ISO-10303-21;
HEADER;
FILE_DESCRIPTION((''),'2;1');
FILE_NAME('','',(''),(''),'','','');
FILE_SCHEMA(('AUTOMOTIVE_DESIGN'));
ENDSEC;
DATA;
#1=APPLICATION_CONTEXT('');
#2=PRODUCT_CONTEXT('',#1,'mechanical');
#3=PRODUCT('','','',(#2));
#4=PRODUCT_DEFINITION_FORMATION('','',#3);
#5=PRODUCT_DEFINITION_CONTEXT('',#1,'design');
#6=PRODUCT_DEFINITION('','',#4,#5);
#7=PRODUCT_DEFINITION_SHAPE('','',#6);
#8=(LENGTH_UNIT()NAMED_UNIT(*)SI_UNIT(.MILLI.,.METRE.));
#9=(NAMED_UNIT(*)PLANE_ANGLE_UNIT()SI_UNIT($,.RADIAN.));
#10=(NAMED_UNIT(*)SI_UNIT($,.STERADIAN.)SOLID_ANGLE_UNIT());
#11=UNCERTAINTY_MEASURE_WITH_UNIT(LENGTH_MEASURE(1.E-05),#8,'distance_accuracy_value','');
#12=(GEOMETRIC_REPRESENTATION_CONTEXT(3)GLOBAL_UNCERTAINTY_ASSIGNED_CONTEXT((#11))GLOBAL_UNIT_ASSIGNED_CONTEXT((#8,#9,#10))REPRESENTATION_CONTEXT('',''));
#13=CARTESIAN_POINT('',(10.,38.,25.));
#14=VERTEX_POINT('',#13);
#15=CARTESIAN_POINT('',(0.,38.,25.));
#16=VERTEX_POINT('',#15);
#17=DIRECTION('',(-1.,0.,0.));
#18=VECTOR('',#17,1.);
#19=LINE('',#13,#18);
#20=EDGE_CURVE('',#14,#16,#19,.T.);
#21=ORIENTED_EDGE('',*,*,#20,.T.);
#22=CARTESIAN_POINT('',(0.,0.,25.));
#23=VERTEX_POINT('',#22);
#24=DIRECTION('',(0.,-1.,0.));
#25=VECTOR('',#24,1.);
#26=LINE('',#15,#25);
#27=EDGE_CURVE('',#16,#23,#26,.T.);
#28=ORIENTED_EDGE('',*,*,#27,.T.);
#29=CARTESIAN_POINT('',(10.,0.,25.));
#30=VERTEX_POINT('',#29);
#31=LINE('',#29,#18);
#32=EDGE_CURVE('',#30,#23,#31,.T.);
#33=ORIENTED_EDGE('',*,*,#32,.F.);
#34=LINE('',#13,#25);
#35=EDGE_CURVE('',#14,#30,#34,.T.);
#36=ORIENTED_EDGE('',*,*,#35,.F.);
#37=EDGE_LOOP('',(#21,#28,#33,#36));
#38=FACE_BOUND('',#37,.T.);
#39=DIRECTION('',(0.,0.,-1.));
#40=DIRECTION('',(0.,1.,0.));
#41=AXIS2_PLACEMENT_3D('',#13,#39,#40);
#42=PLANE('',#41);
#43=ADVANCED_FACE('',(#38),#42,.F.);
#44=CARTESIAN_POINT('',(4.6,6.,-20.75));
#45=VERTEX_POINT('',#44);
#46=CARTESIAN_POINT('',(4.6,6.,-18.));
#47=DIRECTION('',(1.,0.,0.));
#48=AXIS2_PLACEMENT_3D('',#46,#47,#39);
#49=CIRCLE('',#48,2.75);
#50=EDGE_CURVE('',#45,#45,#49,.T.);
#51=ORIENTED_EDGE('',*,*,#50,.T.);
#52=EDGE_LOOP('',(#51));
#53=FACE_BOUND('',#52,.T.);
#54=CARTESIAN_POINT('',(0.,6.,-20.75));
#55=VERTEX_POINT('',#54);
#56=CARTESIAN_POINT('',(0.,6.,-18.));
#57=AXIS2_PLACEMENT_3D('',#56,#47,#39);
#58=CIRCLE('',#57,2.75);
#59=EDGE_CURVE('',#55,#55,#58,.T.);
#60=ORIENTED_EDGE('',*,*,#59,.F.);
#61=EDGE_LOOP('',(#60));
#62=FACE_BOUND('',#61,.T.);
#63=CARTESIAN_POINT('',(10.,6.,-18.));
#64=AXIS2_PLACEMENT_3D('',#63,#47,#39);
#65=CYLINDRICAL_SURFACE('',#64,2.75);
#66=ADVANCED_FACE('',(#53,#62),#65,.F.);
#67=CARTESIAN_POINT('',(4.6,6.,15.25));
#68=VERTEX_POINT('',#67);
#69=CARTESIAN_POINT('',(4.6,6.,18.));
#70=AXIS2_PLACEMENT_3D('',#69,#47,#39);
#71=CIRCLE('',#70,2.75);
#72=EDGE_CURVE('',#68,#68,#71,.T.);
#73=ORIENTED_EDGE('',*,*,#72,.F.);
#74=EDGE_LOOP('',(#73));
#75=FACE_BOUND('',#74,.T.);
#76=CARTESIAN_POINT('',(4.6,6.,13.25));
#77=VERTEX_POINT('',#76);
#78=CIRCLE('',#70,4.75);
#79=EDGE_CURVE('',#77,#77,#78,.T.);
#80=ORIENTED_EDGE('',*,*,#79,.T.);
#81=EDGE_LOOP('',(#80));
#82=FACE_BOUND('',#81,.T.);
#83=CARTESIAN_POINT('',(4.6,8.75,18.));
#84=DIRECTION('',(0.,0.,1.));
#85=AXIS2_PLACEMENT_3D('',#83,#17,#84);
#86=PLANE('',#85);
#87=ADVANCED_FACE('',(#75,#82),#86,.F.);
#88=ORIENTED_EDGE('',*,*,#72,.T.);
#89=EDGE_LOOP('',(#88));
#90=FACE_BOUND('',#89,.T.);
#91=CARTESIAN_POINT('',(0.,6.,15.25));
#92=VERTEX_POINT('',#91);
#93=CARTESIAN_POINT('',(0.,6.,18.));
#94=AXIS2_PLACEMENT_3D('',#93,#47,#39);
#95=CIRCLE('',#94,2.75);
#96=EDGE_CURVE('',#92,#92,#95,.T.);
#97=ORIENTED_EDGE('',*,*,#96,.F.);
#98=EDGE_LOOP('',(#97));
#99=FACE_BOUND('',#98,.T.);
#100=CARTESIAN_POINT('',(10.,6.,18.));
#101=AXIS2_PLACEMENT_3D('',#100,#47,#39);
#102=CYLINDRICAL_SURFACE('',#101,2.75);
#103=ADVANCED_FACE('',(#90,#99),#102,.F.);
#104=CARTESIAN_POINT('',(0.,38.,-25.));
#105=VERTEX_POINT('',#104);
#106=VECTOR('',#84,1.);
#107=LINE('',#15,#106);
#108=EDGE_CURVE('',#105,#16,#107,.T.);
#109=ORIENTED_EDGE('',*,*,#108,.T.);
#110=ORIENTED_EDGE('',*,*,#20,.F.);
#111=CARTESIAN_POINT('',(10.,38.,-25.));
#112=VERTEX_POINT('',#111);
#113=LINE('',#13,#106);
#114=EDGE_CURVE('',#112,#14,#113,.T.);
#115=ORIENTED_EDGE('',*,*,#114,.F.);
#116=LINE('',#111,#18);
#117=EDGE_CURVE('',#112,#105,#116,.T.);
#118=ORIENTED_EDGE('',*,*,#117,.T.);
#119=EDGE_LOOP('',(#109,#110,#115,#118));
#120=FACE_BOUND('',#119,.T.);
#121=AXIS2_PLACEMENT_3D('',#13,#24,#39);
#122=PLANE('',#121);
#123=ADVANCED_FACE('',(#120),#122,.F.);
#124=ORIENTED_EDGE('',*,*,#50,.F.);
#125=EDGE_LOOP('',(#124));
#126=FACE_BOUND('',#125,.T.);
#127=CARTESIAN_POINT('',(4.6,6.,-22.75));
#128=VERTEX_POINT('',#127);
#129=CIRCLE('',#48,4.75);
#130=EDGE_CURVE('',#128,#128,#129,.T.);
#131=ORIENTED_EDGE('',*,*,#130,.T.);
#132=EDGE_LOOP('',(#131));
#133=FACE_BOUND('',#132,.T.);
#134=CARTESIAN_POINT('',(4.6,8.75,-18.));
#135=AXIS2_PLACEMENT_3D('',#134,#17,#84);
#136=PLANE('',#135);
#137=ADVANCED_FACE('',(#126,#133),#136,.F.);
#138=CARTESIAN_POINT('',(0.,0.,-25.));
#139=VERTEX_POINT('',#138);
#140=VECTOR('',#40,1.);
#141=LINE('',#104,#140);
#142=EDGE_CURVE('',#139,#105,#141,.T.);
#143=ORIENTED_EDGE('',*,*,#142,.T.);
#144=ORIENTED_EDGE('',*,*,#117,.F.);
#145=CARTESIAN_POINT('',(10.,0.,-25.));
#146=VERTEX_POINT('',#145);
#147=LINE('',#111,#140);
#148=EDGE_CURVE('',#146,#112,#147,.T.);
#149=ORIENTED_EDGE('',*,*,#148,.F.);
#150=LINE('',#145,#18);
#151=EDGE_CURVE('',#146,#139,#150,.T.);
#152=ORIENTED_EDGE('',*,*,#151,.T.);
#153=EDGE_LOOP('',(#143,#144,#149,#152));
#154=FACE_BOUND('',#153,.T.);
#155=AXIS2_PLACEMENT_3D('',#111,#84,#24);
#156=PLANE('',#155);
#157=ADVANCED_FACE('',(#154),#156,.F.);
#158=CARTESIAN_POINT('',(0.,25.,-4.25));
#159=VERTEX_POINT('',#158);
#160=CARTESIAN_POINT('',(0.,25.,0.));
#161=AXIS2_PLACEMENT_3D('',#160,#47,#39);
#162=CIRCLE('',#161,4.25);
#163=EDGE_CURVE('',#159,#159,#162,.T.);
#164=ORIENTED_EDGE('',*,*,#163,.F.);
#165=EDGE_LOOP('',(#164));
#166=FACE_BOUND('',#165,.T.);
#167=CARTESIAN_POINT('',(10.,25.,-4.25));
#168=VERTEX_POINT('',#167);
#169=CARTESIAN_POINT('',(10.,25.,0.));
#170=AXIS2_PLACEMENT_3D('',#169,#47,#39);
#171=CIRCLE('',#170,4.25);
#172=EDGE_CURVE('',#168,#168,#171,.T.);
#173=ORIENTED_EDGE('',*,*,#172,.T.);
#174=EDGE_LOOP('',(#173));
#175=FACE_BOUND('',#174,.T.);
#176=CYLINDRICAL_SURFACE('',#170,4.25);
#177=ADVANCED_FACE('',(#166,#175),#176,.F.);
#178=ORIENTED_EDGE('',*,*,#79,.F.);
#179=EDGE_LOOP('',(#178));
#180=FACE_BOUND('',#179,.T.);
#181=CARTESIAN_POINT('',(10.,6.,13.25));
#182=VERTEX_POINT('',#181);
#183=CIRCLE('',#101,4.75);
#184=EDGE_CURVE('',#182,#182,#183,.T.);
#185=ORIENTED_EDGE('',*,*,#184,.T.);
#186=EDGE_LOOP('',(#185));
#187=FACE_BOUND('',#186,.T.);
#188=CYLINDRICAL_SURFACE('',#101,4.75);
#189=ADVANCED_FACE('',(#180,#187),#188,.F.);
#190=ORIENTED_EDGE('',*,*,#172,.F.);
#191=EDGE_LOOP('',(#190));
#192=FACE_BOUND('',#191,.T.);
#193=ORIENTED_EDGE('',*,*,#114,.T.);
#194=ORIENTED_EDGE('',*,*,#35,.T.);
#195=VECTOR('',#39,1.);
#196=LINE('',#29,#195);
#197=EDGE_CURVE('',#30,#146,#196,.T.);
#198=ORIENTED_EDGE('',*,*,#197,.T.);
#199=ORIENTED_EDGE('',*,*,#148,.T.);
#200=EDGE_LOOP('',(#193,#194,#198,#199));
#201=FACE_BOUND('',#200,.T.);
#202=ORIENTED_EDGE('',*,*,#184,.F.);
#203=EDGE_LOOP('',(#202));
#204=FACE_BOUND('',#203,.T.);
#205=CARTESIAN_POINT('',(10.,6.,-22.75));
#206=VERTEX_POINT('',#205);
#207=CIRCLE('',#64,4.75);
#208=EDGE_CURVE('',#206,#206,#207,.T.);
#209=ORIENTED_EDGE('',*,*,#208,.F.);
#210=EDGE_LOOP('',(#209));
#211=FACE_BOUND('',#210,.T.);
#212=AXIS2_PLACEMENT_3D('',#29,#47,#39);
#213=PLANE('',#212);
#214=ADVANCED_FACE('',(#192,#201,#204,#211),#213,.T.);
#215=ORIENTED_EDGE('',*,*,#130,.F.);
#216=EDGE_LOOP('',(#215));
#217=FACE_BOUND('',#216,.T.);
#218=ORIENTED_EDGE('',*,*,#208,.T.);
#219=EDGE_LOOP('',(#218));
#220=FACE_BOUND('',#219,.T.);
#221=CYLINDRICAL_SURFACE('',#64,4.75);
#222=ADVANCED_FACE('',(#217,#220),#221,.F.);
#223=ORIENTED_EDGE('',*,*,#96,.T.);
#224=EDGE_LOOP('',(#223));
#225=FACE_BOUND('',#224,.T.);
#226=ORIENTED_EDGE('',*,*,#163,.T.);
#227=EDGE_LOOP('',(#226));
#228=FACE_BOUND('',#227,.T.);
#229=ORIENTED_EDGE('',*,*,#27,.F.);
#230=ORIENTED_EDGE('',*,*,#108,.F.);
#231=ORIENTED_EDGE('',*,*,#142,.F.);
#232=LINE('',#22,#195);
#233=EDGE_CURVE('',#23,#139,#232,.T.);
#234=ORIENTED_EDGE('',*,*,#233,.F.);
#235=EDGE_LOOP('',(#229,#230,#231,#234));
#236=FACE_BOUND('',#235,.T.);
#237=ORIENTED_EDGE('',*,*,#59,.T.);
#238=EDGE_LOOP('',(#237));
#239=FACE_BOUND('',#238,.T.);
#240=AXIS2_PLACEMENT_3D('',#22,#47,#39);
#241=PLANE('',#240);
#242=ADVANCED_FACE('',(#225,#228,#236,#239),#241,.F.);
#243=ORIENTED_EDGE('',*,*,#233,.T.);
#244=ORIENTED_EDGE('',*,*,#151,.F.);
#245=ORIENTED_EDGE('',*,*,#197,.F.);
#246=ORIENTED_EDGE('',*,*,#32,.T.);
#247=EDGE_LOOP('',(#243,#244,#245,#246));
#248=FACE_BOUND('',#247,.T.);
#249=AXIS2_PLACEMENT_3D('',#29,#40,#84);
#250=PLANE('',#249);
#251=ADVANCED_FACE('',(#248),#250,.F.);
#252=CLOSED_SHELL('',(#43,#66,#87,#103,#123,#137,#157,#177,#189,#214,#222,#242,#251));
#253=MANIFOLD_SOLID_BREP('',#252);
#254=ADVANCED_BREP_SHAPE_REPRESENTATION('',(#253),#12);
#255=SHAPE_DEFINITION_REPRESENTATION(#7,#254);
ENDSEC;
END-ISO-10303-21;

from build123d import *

# Parameters (mm, degrees)
SKETCH1_W                                       = 50
SKETCH1_H                                       = 38
BOSS_EXTRUDE1_DEPTH                             = 10
M10X1_5_TAPPED_HOLE1_D                          = 8.5
CBORE_FOR_M5_SOCKET_HEAD_CAP_SCREW1_D           = 5.5
CBORE_FOR_M5_SOCKET_HEAD_CAP_SCREW1_CBORE_D     = 9.5
CBORE_FOR_M5_SOCKET_HEAD_CAP_SCREW1_CBORE_DEPTH = 5.4


with BuildPart() as part:
    # Sketch1 → Boss-Extrude1 (new body)
    with BuildSketch(Plane(origin=(0, 0, 0), x_dir=(0, 0, -1), z_dir=(1, 0, 0))):
        with Locations((0, 19)):
            Rectangle(SKETCH1_W, SKETCH1_H)
    extrude(amount=BOSS_EXTRUDE1_DEPTH)

    # M10x1.5 Tapped Hole1 (through all)
    with Locations(Plane(origin=(10, 0, 0), x_dir=(0, 0, -1), z_dir=(1, 0, 0))):
        with Locations((0, 25)):
            Hole(M10X1_5_TAPPED_HOLE1_D / 2)

    # CBORE for M5 Socket Head Cap Screw1 (through all)
    with Locations(Plane(origin=(10, 0, 0), x_dir=(0, 0, -1), z_dir=(1, 0, 0))):
        with Locations((18, 6), (-18, 6)):
            CounterBoreHole(CBORE_FOR_M5_SOCKET_HEAD_CAP_SCREW1_D / 2, CBORE_FOR_M5_SOCKET_HEAD_CAP_SCREW1_CBORE_D / 2, CBORE_FOR_M5_SOCKET_HEAD_CAP_SCREW1_CBORE_DEPTH)


solid = part.part
